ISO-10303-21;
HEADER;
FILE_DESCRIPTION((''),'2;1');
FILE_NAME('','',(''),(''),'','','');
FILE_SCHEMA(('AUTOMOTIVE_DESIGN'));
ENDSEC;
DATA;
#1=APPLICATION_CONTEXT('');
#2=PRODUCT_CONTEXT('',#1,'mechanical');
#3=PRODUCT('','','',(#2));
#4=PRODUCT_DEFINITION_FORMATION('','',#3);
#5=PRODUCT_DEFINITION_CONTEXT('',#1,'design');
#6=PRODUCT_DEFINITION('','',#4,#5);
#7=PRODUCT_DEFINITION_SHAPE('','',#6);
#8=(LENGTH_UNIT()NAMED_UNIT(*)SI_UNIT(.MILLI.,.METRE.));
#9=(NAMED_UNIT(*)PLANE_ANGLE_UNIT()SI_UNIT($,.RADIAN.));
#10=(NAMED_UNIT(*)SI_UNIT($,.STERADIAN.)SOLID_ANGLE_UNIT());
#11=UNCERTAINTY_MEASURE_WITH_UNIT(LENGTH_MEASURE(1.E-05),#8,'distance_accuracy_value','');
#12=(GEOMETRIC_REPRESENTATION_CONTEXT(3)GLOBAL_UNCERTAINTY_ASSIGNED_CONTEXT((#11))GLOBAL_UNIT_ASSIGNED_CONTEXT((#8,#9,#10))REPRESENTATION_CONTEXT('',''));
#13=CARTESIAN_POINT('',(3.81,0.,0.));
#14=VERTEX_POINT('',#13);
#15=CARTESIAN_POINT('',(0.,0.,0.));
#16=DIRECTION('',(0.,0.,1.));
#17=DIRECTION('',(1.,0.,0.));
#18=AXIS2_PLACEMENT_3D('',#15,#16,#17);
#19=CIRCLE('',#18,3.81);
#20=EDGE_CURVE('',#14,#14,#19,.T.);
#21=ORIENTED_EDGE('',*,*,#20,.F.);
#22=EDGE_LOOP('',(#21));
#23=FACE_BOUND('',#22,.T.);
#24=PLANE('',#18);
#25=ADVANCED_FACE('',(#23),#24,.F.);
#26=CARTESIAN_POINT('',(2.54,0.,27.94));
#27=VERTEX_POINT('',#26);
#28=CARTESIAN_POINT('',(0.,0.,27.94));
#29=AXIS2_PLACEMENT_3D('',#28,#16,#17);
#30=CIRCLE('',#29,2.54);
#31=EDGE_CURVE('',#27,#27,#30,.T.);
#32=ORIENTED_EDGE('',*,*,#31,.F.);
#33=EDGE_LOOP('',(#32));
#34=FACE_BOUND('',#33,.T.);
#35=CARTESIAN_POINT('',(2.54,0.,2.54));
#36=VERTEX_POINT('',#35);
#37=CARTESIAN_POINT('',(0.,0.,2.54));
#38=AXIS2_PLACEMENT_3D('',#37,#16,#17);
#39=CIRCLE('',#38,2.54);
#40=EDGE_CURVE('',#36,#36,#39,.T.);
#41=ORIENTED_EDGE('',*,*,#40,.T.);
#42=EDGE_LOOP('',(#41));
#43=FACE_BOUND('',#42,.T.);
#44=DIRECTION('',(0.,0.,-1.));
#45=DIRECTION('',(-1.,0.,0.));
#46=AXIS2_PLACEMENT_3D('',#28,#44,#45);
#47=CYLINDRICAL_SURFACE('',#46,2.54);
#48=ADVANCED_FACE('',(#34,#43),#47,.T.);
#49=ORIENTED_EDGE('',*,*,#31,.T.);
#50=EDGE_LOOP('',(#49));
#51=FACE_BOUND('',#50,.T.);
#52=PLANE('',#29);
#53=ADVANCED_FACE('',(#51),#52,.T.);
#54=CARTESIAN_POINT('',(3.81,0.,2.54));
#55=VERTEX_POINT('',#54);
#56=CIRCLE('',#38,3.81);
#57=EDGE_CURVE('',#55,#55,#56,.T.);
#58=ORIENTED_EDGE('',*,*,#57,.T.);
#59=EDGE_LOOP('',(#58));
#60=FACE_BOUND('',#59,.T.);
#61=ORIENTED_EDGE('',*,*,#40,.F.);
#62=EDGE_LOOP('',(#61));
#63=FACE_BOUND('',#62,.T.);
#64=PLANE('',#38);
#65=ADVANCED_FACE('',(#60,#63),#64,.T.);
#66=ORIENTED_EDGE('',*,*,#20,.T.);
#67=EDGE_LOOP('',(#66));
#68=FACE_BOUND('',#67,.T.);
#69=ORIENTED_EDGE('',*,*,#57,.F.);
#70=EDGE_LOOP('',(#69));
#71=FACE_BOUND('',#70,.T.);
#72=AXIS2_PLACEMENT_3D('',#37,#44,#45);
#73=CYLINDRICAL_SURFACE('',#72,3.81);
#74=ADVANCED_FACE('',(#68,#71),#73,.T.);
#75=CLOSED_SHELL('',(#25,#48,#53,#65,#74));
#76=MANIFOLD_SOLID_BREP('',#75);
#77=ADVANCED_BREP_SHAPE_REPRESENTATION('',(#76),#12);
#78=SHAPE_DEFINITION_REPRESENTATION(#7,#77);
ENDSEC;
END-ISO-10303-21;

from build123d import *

# Parameters (mm, degrees)
SKETCH1_R           = 3.81
BOSS_EXTRUDE1_DEPTH = 2.54
SKETCH2_R           = 2.54
BOSS_EXTRUDE2_DEPTH = 25.4


with BuildPart() as part:
    # Sketch1 → Boss-Extrude1 (new body)
    with BuildSketch(Plane.XY):
        Circle(SKETCH1_R)
    extrude(amount=BOSS_EXTRUDE1_DEPTH)

    # Sketch2 → Boss-Extrude2 (add)
    with BuildSketch(Plane.XY.offset(2.54)):
        Circle(SKETCH2_R)
    extrude(amount=BOSS_EXTRUDE2_DEPTH)


solid = part.part
